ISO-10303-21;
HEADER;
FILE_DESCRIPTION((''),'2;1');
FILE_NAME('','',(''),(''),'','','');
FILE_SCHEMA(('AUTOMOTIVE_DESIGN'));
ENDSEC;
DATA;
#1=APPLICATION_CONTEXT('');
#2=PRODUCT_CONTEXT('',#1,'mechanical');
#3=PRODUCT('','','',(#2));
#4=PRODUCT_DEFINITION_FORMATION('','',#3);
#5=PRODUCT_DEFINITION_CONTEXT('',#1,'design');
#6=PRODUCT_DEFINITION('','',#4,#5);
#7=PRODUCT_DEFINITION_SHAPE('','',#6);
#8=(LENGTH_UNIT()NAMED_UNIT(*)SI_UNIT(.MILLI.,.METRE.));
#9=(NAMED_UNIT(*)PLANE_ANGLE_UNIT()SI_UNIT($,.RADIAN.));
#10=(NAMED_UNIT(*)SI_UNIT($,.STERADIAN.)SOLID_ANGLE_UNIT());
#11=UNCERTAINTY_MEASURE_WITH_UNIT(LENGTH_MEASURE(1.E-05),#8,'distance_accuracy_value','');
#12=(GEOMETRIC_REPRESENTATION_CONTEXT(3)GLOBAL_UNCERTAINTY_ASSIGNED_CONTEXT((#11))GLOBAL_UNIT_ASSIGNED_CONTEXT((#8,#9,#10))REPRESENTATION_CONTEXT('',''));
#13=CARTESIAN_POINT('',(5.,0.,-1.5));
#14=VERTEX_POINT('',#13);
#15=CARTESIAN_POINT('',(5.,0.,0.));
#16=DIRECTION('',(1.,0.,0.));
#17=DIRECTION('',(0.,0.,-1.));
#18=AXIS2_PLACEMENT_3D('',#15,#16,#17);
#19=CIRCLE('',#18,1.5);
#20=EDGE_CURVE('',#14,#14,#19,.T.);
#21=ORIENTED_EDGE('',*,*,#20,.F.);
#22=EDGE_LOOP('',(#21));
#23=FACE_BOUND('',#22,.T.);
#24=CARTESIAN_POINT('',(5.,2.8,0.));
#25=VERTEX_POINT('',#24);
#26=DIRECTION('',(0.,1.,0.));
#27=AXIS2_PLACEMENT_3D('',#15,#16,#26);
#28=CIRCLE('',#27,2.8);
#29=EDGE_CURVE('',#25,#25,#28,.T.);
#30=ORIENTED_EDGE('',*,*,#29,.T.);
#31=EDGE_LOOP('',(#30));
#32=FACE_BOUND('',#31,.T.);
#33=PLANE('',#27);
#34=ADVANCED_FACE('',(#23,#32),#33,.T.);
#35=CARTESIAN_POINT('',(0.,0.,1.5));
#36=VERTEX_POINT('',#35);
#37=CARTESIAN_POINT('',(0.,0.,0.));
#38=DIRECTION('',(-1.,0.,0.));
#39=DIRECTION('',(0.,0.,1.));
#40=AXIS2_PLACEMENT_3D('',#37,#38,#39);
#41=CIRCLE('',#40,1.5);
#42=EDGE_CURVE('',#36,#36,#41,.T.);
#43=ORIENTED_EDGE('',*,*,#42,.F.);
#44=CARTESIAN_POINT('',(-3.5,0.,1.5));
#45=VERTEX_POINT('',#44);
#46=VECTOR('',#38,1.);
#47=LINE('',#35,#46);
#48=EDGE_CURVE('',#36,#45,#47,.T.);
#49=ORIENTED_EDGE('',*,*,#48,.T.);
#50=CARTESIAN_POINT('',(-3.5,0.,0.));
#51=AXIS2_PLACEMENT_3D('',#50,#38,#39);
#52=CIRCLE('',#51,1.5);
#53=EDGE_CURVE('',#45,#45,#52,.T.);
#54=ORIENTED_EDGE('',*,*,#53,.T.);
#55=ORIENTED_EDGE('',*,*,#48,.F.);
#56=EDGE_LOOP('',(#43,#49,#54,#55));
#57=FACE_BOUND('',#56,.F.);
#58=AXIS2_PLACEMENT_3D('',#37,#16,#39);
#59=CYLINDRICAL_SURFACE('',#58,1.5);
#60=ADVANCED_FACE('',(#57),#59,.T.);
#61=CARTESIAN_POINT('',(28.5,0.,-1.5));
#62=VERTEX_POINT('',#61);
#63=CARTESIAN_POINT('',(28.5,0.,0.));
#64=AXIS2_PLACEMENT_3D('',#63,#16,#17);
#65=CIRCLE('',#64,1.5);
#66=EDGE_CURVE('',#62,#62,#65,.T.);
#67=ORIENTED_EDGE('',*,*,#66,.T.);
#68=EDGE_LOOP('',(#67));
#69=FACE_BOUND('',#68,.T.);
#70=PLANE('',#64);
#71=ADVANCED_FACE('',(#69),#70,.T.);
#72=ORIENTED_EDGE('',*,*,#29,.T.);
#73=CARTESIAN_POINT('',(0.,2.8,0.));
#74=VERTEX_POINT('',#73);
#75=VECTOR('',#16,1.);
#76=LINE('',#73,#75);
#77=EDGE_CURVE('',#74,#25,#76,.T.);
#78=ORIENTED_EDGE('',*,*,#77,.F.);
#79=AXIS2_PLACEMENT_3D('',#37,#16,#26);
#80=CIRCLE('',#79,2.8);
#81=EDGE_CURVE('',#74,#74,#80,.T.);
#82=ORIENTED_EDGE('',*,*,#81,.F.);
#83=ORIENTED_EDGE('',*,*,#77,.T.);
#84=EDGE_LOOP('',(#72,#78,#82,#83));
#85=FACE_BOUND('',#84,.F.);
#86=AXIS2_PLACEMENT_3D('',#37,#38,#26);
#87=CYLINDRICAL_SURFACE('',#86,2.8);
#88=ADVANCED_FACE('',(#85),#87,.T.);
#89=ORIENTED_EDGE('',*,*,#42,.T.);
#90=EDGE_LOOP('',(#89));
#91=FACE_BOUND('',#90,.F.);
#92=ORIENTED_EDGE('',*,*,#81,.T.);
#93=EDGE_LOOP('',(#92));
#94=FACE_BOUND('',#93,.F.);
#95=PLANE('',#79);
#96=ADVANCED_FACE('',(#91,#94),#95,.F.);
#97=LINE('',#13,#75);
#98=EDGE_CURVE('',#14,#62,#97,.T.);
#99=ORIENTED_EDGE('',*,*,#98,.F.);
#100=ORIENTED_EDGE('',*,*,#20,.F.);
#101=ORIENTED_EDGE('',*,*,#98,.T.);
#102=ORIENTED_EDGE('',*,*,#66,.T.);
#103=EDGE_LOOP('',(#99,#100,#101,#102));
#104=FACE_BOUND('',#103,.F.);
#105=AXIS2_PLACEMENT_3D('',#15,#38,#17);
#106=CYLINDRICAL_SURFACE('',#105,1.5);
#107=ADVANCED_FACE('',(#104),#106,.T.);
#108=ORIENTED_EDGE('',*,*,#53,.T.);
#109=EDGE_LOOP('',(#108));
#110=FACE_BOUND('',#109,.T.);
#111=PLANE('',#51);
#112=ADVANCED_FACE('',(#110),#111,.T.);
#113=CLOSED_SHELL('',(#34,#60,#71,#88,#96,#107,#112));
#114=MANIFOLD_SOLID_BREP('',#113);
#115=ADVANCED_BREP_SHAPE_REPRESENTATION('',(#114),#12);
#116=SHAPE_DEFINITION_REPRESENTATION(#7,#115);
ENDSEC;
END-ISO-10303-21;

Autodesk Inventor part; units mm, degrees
ref_plane "YZ Plane" through (0, 0, 0) normal (1, 0, 0) x (0, 1, 0)
ref_plane "XZ Plane" through (0, 0, 0) normal (0, 1, 0) x (-1, 0, 0)
ref_plane "XY Plane" through (0, 0, 0) normal (0, 0, 1) x (1, 0, 0)
sketch "Sketch1" plane through (0, 0, 0) normal (1, 0, 0) x (0, 1, 0)
  circle A0 centre (0, 0) radius 2.8
  dimension "d0" = 5.6
extrude "Extrusion1" add sketch "Sketch1" along normal blind 5
sketch "Sketch2" plane through (5, 0, 0) normal (1, 0, 0) x (0, 0, -1)
  circle A0 centre (0, 0) radius 1.5
  dimension "d3" = 3
extrude "Extrusion2" add sketch "Sketch2" along normal blind 23.5
sketch "Sketch3" plane through (0, 0, 0) normal (-1, 0, 0) x (0, 0, 1)
  circle A0 centre (0, 0) radius 1.5
  dimension "d6" = 3
extrude "Extrusion3" add sketch "Sketch3" along normal blind 3.5
